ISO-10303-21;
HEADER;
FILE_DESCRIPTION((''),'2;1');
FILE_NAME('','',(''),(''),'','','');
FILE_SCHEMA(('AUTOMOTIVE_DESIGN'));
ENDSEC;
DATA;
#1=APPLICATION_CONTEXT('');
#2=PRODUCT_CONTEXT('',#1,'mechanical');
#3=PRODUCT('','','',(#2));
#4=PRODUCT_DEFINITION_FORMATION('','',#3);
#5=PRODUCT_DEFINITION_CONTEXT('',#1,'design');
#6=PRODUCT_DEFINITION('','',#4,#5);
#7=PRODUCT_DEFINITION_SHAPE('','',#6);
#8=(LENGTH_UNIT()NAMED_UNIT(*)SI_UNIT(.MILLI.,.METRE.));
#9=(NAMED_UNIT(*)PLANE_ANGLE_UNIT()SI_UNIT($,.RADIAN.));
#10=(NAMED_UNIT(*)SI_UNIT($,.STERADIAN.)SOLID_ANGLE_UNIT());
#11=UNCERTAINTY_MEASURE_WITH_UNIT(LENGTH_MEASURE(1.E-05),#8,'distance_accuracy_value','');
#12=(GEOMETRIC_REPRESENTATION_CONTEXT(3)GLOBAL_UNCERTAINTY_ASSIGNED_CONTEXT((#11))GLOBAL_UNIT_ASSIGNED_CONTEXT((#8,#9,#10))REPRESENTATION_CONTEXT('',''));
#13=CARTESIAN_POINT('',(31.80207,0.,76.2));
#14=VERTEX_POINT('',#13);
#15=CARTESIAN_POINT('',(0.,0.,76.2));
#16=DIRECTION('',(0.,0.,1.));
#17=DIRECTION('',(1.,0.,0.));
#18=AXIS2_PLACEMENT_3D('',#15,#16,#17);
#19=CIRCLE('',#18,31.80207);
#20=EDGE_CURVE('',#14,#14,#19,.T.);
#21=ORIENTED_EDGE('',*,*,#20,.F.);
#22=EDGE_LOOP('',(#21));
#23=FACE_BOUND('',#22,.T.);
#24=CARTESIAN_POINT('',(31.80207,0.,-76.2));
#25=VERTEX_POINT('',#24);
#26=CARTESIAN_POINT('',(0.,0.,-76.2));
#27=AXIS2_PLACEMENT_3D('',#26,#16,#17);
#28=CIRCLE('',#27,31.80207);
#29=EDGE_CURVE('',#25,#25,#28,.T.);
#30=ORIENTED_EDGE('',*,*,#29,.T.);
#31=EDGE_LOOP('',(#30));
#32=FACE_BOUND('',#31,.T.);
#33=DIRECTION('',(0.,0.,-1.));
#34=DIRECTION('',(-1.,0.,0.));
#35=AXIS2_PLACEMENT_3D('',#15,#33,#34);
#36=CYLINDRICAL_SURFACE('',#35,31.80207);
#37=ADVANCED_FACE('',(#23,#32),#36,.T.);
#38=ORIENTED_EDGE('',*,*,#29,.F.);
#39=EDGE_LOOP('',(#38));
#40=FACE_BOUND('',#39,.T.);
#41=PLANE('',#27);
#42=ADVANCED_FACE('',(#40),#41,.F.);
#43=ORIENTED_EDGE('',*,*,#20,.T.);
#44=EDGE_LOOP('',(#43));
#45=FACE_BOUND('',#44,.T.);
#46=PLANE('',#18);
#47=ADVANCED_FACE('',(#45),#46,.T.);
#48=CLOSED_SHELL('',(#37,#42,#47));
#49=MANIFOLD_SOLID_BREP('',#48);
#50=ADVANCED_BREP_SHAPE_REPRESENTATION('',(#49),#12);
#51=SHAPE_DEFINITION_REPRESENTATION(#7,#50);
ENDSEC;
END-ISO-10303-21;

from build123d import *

# Parameters (mm, degrees)
SKETCH1_R      = 31.80207
EXTRUDE1_DEPTH = 76.2


with BuildPart() as part:
    # Sketch1 → Extrude1 (new, symmetric)
    with BuildSketch(Plane.XY):
        Circle(SKETCH1_R)
    extrude(amount=EXTRUDE1_DEPTH, both=True)


solid = part.part
